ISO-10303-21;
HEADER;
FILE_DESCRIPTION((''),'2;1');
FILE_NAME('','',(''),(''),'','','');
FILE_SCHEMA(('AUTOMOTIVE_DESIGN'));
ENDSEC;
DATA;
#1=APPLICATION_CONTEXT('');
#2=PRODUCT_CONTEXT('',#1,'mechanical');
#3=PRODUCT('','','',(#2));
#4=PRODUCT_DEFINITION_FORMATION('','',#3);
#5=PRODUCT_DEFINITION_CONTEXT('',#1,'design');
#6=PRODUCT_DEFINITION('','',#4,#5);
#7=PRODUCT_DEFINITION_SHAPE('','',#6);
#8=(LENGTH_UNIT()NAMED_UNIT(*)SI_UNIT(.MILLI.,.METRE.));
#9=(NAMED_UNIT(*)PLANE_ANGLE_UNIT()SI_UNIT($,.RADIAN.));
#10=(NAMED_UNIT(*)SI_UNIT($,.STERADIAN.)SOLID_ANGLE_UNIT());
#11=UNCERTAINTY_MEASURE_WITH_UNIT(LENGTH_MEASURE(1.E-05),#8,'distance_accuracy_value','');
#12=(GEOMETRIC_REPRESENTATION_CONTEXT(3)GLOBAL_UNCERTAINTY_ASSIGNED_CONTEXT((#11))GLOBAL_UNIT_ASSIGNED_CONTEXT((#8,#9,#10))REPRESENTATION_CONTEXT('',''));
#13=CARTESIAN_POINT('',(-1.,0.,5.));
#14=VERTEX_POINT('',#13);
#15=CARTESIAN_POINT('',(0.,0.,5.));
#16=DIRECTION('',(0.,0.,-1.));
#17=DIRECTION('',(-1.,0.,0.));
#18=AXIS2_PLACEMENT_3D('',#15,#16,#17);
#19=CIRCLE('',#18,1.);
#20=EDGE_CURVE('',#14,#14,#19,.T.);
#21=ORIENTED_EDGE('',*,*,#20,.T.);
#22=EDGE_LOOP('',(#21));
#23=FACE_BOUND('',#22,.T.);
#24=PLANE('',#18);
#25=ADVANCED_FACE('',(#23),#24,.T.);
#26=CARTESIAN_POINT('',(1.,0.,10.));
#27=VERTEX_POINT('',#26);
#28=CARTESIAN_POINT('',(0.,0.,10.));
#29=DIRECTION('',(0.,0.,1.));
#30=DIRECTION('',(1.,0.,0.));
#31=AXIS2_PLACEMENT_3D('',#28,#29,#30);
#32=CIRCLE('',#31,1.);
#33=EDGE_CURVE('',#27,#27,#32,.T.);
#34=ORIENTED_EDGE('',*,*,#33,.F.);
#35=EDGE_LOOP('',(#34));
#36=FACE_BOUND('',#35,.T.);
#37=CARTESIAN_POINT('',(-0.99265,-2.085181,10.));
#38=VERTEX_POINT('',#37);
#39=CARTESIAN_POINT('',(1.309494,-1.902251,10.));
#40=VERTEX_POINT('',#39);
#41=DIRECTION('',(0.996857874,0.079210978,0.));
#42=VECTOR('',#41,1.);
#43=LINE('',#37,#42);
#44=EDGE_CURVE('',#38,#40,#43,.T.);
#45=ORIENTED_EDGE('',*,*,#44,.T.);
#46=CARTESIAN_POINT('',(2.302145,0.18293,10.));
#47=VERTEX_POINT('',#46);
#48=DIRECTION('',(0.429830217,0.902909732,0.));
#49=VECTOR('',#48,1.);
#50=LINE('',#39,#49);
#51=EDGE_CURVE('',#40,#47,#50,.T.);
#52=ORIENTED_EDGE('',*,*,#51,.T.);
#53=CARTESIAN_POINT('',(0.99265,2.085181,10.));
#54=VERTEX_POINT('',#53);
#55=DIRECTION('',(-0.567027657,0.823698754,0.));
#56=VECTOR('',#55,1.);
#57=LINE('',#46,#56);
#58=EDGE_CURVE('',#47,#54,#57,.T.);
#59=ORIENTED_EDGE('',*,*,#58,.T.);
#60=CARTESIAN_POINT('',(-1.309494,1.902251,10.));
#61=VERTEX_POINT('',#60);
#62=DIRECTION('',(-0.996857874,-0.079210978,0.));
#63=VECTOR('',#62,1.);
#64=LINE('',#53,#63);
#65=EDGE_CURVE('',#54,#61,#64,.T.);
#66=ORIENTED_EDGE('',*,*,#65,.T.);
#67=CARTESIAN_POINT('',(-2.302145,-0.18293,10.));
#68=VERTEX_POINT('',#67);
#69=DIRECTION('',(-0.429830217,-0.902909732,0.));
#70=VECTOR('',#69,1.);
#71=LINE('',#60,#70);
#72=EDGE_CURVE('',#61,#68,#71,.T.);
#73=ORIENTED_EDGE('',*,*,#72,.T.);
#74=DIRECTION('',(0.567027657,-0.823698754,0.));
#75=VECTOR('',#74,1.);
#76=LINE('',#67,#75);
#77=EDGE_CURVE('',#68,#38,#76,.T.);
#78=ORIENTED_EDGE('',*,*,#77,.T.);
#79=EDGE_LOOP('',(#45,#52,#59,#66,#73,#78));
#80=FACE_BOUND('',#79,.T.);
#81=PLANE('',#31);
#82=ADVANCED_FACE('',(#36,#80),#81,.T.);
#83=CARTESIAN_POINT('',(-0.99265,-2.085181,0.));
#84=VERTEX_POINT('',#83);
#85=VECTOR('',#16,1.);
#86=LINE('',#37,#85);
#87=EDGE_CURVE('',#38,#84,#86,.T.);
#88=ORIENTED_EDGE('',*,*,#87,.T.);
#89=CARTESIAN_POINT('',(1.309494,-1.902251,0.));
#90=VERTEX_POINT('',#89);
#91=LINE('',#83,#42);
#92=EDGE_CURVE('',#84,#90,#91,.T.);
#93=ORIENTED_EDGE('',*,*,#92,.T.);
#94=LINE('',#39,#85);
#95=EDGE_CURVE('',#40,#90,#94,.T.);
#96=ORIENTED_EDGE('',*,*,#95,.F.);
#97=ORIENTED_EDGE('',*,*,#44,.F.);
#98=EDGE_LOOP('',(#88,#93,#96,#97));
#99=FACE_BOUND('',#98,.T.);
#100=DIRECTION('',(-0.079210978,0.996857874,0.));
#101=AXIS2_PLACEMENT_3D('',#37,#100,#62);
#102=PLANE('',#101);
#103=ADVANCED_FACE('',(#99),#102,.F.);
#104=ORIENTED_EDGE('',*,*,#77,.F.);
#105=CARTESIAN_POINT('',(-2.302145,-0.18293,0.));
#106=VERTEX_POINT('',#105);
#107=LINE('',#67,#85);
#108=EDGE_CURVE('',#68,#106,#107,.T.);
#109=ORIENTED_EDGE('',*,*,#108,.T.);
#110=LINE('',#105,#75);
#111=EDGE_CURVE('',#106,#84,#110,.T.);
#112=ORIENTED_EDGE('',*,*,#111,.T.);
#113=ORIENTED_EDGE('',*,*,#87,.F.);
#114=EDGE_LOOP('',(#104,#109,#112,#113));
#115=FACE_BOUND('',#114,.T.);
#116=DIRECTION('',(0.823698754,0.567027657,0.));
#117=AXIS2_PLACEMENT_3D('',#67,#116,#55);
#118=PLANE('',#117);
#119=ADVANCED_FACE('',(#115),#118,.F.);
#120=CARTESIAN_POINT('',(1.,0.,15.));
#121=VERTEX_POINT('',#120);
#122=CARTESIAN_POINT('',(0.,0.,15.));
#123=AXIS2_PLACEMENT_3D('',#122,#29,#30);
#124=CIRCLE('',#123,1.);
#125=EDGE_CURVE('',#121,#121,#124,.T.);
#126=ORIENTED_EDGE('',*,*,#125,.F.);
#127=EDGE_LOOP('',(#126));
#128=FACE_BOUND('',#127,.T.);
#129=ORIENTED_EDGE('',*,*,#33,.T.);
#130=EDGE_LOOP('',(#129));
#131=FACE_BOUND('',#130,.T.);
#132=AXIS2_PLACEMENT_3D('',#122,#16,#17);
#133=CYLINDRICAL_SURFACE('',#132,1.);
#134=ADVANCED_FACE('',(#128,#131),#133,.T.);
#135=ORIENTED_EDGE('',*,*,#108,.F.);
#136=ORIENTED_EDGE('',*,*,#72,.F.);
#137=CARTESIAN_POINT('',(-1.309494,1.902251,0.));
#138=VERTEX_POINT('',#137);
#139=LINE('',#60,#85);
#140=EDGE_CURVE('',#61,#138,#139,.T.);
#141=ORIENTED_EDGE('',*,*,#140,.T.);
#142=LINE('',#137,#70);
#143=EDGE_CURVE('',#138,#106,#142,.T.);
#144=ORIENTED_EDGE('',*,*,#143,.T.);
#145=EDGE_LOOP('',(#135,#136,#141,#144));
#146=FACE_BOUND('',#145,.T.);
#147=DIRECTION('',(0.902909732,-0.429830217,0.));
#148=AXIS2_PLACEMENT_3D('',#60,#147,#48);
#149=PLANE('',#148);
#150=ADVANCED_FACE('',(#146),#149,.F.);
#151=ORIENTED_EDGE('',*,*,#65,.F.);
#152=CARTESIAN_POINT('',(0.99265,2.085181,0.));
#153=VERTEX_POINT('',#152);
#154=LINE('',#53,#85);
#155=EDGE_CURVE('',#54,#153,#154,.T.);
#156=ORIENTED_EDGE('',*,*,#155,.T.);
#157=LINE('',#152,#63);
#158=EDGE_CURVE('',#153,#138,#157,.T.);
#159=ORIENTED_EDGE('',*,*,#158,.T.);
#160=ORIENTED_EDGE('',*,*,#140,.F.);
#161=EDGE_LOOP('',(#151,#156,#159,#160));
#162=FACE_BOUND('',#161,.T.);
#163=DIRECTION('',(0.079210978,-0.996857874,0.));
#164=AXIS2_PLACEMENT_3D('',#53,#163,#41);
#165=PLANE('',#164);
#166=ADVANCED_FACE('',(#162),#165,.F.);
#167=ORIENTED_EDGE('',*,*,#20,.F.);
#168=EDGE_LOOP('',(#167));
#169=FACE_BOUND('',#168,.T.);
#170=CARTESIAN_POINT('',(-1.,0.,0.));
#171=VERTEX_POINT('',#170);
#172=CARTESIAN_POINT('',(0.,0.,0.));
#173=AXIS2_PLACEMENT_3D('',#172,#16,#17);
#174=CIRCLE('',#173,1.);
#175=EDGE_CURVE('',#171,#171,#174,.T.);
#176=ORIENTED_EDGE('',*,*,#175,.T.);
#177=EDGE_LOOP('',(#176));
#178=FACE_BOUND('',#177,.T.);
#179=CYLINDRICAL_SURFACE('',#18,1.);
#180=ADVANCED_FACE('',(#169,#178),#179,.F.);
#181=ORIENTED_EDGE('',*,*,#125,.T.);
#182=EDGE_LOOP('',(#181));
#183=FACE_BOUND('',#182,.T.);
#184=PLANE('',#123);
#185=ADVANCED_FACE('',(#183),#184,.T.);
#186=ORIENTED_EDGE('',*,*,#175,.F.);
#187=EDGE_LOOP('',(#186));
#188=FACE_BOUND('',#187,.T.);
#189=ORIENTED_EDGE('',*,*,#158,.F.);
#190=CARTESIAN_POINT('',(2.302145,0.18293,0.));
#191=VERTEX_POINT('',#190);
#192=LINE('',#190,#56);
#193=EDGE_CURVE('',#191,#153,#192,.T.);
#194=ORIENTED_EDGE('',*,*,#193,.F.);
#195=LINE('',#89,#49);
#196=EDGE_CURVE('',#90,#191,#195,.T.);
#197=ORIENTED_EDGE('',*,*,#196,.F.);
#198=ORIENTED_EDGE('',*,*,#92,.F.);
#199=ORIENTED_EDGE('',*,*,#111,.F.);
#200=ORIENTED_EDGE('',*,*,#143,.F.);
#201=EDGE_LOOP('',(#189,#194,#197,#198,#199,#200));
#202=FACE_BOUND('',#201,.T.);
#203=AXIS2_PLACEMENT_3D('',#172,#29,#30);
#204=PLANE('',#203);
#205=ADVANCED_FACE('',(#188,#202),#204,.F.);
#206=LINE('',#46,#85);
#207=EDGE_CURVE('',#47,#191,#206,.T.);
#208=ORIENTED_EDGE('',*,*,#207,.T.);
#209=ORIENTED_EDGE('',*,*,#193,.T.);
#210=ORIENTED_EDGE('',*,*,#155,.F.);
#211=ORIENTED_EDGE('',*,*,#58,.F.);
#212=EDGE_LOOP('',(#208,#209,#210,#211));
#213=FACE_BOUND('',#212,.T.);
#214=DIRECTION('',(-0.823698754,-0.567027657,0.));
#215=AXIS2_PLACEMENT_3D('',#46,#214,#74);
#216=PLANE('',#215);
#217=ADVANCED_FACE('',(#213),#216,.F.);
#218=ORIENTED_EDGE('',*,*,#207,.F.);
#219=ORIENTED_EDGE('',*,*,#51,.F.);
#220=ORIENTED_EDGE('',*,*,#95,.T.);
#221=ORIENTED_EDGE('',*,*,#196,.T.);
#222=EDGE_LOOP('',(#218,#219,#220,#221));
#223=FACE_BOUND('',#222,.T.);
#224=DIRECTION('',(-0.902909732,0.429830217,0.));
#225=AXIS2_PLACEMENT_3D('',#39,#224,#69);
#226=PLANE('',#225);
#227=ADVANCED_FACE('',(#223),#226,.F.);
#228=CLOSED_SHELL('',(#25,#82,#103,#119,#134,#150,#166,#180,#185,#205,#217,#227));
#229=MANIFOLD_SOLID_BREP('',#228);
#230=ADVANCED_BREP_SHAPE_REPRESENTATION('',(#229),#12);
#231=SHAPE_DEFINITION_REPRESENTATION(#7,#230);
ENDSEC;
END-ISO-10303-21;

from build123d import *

# Parameters (mm, degrees)
BOSS_EXTRU_1_DEPTH      = 10
ESQUISSE2_R             = 1
BOSS_EXTRU_2_DEPTH      = 5
ESQUISSE3_R             = 1
ENL_V_MAT_EXTRU_1_DEPTH = 5


with BuildPart() as part:
    # Esquisse1 → Boss.-Extru.1 (new body)
    with BuildSketch(Plane.XY):
        Polygon((2.302144648, 0.182929919), (0.992650367, 2.085180707), (-1.309494281, 1.902250788), (-2.302144648, -0.182929919), (-0.992650367, -2.085180707), (1.309494281, -1.902250788), align=None)
    extrude(amount=BOSS_EXTRU_1_DEPTH)

    # Esquisse2 → Boss.-Extru.2 (add)
    with BuildSketch(Plane.XY.offset(10)):
        Circle(ESQUISSE2_R)
    extrude(amount=BOSS_EXTRU_2_DEPTH)

    # Esquisse3 → Enlèv. mat.-Extru.1 (cut)
    with BuildSketch(Plane(origin=(0, 0, 0), x_dir=(-1, 0, 0), z_dir=(0, 0, -1))):
        with Locations(Location((0, 0, 0), (0, 0, 180))):
            Circle(ESQUISSE3_R)
    extrude(amount=-ENL_V_MAT_EXTRU_1_DEPTH, mode=Mode.SUBTRACT)


solid = part.part
